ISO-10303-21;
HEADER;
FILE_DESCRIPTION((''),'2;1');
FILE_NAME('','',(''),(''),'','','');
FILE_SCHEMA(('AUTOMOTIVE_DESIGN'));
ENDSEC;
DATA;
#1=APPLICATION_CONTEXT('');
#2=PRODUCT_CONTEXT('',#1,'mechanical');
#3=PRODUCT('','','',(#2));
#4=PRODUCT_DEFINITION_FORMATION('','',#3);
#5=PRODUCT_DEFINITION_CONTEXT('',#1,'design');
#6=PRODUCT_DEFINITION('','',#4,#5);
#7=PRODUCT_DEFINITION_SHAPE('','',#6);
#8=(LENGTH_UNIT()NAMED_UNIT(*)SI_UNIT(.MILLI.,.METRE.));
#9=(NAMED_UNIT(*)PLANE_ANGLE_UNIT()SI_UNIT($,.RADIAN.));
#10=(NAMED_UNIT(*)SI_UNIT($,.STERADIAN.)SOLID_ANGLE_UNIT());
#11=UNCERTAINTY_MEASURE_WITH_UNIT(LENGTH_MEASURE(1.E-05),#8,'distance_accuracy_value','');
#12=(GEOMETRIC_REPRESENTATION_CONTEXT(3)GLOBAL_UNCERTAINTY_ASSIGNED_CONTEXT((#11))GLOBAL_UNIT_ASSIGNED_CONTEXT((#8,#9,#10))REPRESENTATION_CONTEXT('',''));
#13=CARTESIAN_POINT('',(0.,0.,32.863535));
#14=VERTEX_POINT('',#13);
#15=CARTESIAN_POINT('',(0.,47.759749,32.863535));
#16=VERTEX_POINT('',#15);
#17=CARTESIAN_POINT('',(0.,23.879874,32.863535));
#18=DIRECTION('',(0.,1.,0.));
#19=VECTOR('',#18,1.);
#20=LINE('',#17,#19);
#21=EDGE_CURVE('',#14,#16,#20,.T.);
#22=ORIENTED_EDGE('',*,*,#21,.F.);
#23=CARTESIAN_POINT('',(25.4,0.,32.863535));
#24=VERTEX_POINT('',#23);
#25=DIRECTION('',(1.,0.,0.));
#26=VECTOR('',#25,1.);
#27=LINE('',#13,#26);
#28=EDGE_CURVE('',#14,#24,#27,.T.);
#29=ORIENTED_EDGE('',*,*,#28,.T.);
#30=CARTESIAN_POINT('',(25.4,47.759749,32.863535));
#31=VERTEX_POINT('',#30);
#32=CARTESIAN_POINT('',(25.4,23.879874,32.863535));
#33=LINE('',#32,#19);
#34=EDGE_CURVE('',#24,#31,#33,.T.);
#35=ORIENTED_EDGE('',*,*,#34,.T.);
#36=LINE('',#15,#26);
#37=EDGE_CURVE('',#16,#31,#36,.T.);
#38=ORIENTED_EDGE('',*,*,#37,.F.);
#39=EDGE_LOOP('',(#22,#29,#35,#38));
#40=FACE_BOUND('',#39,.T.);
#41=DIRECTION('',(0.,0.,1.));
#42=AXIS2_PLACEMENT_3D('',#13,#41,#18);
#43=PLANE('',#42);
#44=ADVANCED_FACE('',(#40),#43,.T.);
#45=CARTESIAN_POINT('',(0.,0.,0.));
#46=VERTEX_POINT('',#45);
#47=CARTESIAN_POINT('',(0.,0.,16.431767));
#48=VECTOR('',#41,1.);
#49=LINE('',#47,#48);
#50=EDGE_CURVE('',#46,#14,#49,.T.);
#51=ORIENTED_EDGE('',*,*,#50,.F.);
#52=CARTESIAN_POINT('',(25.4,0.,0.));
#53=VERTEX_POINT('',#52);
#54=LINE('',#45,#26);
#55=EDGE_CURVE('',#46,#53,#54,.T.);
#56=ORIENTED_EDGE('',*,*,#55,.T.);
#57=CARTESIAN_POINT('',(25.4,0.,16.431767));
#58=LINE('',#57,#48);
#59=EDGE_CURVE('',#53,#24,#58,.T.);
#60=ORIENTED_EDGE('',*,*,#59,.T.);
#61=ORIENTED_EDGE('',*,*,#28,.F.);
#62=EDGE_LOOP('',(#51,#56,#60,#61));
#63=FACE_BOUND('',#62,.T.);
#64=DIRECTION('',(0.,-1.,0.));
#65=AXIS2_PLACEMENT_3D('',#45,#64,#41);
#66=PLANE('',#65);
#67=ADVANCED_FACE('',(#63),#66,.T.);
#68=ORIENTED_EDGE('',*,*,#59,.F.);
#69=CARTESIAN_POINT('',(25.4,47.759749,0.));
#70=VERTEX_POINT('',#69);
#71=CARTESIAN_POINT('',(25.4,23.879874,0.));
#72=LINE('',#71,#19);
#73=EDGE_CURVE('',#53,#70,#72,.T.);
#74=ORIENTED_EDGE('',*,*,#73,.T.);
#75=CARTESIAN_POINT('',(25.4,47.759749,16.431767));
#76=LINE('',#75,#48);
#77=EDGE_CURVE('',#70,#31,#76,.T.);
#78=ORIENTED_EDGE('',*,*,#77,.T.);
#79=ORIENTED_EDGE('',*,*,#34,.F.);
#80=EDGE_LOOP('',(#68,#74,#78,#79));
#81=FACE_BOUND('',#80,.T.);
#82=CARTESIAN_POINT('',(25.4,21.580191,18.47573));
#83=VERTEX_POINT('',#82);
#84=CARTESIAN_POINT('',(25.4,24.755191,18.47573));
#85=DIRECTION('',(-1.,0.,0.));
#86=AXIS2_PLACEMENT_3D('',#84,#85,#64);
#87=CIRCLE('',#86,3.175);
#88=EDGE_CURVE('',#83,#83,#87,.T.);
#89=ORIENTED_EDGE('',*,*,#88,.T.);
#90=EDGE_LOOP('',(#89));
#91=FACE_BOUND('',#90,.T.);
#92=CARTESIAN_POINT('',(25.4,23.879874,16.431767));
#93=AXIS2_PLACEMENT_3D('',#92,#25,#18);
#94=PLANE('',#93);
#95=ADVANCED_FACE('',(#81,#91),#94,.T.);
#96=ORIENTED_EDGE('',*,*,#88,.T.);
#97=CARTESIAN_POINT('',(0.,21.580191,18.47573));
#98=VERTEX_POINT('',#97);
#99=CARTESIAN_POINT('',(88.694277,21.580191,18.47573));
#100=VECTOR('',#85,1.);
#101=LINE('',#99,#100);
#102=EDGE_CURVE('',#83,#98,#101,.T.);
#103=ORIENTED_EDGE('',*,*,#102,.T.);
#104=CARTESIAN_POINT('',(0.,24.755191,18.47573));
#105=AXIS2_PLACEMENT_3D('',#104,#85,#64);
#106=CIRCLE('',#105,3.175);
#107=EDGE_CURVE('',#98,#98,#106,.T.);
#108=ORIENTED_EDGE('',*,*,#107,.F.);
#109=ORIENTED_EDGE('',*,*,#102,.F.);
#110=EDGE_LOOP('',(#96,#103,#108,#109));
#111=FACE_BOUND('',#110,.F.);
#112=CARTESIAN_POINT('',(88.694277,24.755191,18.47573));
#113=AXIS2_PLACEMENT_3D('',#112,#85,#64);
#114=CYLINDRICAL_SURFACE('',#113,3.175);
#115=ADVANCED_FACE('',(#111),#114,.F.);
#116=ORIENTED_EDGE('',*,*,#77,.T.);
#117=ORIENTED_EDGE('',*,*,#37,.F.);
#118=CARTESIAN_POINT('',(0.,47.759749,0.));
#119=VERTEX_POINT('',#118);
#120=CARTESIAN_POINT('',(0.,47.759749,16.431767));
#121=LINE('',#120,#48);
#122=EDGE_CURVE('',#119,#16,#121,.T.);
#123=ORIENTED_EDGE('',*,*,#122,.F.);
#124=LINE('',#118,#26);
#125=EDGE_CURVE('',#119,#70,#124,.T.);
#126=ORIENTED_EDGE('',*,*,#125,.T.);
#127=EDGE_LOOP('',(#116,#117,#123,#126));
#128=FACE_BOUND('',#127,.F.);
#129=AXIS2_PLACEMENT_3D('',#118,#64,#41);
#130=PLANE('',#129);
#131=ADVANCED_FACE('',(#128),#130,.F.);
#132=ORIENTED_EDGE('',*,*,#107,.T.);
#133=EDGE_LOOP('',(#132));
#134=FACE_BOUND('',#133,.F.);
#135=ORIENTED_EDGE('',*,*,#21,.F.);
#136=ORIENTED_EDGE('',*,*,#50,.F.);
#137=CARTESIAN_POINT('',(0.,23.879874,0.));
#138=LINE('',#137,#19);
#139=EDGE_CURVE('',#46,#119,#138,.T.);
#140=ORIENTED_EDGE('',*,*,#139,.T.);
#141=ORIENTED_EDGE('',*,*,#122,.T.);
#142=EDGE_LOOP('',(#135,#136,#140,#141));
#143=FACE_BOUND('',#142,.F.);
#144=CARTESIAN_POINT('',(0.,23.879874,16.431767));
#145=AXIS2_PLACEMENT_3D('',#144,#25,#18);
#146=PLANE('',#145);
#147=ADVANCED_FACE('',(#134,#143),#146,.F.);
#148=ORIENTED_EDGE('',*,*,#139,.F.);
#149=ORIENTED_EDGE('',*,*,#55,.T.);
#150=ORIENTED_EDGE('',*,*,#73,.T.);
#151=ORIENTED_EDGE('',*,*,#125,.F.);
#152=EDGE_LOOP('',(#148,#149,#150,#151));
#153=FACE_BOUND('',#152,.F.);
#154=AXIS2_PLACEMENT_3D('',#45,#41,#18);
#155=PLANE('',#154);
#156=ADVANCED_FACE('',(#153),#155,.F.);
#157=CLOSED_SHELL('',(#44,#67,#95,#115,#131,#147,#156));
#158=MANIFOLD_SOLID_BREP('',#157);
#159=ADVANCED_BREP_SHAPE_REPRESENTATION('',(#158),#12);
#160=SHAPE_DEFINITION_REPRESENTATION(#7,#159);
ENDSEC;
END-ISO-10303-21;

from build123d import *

# Parameters (mm, degrees)
F0_W     = 47.759749
F0_H     = 32.863535
F1_DEPTH = 25.4
F3_D     = 6.35


with BuildPart() as f1:
    # F0 (on Right) → F1 (new body)
    with BuildSketch(Plane.YZ):
        with Locations((23.879874, 16.431767)):
            Rectangle(F0_W, F0_H)
    extrude(amount=F1_DEPTH)

    # F3 (through all)
    with Locations(Plane.YZ.offset(25.4)):
        with Locations((24.755191, 18.47573)):
            Hole(F3_D / 2)


solid = f1.part
